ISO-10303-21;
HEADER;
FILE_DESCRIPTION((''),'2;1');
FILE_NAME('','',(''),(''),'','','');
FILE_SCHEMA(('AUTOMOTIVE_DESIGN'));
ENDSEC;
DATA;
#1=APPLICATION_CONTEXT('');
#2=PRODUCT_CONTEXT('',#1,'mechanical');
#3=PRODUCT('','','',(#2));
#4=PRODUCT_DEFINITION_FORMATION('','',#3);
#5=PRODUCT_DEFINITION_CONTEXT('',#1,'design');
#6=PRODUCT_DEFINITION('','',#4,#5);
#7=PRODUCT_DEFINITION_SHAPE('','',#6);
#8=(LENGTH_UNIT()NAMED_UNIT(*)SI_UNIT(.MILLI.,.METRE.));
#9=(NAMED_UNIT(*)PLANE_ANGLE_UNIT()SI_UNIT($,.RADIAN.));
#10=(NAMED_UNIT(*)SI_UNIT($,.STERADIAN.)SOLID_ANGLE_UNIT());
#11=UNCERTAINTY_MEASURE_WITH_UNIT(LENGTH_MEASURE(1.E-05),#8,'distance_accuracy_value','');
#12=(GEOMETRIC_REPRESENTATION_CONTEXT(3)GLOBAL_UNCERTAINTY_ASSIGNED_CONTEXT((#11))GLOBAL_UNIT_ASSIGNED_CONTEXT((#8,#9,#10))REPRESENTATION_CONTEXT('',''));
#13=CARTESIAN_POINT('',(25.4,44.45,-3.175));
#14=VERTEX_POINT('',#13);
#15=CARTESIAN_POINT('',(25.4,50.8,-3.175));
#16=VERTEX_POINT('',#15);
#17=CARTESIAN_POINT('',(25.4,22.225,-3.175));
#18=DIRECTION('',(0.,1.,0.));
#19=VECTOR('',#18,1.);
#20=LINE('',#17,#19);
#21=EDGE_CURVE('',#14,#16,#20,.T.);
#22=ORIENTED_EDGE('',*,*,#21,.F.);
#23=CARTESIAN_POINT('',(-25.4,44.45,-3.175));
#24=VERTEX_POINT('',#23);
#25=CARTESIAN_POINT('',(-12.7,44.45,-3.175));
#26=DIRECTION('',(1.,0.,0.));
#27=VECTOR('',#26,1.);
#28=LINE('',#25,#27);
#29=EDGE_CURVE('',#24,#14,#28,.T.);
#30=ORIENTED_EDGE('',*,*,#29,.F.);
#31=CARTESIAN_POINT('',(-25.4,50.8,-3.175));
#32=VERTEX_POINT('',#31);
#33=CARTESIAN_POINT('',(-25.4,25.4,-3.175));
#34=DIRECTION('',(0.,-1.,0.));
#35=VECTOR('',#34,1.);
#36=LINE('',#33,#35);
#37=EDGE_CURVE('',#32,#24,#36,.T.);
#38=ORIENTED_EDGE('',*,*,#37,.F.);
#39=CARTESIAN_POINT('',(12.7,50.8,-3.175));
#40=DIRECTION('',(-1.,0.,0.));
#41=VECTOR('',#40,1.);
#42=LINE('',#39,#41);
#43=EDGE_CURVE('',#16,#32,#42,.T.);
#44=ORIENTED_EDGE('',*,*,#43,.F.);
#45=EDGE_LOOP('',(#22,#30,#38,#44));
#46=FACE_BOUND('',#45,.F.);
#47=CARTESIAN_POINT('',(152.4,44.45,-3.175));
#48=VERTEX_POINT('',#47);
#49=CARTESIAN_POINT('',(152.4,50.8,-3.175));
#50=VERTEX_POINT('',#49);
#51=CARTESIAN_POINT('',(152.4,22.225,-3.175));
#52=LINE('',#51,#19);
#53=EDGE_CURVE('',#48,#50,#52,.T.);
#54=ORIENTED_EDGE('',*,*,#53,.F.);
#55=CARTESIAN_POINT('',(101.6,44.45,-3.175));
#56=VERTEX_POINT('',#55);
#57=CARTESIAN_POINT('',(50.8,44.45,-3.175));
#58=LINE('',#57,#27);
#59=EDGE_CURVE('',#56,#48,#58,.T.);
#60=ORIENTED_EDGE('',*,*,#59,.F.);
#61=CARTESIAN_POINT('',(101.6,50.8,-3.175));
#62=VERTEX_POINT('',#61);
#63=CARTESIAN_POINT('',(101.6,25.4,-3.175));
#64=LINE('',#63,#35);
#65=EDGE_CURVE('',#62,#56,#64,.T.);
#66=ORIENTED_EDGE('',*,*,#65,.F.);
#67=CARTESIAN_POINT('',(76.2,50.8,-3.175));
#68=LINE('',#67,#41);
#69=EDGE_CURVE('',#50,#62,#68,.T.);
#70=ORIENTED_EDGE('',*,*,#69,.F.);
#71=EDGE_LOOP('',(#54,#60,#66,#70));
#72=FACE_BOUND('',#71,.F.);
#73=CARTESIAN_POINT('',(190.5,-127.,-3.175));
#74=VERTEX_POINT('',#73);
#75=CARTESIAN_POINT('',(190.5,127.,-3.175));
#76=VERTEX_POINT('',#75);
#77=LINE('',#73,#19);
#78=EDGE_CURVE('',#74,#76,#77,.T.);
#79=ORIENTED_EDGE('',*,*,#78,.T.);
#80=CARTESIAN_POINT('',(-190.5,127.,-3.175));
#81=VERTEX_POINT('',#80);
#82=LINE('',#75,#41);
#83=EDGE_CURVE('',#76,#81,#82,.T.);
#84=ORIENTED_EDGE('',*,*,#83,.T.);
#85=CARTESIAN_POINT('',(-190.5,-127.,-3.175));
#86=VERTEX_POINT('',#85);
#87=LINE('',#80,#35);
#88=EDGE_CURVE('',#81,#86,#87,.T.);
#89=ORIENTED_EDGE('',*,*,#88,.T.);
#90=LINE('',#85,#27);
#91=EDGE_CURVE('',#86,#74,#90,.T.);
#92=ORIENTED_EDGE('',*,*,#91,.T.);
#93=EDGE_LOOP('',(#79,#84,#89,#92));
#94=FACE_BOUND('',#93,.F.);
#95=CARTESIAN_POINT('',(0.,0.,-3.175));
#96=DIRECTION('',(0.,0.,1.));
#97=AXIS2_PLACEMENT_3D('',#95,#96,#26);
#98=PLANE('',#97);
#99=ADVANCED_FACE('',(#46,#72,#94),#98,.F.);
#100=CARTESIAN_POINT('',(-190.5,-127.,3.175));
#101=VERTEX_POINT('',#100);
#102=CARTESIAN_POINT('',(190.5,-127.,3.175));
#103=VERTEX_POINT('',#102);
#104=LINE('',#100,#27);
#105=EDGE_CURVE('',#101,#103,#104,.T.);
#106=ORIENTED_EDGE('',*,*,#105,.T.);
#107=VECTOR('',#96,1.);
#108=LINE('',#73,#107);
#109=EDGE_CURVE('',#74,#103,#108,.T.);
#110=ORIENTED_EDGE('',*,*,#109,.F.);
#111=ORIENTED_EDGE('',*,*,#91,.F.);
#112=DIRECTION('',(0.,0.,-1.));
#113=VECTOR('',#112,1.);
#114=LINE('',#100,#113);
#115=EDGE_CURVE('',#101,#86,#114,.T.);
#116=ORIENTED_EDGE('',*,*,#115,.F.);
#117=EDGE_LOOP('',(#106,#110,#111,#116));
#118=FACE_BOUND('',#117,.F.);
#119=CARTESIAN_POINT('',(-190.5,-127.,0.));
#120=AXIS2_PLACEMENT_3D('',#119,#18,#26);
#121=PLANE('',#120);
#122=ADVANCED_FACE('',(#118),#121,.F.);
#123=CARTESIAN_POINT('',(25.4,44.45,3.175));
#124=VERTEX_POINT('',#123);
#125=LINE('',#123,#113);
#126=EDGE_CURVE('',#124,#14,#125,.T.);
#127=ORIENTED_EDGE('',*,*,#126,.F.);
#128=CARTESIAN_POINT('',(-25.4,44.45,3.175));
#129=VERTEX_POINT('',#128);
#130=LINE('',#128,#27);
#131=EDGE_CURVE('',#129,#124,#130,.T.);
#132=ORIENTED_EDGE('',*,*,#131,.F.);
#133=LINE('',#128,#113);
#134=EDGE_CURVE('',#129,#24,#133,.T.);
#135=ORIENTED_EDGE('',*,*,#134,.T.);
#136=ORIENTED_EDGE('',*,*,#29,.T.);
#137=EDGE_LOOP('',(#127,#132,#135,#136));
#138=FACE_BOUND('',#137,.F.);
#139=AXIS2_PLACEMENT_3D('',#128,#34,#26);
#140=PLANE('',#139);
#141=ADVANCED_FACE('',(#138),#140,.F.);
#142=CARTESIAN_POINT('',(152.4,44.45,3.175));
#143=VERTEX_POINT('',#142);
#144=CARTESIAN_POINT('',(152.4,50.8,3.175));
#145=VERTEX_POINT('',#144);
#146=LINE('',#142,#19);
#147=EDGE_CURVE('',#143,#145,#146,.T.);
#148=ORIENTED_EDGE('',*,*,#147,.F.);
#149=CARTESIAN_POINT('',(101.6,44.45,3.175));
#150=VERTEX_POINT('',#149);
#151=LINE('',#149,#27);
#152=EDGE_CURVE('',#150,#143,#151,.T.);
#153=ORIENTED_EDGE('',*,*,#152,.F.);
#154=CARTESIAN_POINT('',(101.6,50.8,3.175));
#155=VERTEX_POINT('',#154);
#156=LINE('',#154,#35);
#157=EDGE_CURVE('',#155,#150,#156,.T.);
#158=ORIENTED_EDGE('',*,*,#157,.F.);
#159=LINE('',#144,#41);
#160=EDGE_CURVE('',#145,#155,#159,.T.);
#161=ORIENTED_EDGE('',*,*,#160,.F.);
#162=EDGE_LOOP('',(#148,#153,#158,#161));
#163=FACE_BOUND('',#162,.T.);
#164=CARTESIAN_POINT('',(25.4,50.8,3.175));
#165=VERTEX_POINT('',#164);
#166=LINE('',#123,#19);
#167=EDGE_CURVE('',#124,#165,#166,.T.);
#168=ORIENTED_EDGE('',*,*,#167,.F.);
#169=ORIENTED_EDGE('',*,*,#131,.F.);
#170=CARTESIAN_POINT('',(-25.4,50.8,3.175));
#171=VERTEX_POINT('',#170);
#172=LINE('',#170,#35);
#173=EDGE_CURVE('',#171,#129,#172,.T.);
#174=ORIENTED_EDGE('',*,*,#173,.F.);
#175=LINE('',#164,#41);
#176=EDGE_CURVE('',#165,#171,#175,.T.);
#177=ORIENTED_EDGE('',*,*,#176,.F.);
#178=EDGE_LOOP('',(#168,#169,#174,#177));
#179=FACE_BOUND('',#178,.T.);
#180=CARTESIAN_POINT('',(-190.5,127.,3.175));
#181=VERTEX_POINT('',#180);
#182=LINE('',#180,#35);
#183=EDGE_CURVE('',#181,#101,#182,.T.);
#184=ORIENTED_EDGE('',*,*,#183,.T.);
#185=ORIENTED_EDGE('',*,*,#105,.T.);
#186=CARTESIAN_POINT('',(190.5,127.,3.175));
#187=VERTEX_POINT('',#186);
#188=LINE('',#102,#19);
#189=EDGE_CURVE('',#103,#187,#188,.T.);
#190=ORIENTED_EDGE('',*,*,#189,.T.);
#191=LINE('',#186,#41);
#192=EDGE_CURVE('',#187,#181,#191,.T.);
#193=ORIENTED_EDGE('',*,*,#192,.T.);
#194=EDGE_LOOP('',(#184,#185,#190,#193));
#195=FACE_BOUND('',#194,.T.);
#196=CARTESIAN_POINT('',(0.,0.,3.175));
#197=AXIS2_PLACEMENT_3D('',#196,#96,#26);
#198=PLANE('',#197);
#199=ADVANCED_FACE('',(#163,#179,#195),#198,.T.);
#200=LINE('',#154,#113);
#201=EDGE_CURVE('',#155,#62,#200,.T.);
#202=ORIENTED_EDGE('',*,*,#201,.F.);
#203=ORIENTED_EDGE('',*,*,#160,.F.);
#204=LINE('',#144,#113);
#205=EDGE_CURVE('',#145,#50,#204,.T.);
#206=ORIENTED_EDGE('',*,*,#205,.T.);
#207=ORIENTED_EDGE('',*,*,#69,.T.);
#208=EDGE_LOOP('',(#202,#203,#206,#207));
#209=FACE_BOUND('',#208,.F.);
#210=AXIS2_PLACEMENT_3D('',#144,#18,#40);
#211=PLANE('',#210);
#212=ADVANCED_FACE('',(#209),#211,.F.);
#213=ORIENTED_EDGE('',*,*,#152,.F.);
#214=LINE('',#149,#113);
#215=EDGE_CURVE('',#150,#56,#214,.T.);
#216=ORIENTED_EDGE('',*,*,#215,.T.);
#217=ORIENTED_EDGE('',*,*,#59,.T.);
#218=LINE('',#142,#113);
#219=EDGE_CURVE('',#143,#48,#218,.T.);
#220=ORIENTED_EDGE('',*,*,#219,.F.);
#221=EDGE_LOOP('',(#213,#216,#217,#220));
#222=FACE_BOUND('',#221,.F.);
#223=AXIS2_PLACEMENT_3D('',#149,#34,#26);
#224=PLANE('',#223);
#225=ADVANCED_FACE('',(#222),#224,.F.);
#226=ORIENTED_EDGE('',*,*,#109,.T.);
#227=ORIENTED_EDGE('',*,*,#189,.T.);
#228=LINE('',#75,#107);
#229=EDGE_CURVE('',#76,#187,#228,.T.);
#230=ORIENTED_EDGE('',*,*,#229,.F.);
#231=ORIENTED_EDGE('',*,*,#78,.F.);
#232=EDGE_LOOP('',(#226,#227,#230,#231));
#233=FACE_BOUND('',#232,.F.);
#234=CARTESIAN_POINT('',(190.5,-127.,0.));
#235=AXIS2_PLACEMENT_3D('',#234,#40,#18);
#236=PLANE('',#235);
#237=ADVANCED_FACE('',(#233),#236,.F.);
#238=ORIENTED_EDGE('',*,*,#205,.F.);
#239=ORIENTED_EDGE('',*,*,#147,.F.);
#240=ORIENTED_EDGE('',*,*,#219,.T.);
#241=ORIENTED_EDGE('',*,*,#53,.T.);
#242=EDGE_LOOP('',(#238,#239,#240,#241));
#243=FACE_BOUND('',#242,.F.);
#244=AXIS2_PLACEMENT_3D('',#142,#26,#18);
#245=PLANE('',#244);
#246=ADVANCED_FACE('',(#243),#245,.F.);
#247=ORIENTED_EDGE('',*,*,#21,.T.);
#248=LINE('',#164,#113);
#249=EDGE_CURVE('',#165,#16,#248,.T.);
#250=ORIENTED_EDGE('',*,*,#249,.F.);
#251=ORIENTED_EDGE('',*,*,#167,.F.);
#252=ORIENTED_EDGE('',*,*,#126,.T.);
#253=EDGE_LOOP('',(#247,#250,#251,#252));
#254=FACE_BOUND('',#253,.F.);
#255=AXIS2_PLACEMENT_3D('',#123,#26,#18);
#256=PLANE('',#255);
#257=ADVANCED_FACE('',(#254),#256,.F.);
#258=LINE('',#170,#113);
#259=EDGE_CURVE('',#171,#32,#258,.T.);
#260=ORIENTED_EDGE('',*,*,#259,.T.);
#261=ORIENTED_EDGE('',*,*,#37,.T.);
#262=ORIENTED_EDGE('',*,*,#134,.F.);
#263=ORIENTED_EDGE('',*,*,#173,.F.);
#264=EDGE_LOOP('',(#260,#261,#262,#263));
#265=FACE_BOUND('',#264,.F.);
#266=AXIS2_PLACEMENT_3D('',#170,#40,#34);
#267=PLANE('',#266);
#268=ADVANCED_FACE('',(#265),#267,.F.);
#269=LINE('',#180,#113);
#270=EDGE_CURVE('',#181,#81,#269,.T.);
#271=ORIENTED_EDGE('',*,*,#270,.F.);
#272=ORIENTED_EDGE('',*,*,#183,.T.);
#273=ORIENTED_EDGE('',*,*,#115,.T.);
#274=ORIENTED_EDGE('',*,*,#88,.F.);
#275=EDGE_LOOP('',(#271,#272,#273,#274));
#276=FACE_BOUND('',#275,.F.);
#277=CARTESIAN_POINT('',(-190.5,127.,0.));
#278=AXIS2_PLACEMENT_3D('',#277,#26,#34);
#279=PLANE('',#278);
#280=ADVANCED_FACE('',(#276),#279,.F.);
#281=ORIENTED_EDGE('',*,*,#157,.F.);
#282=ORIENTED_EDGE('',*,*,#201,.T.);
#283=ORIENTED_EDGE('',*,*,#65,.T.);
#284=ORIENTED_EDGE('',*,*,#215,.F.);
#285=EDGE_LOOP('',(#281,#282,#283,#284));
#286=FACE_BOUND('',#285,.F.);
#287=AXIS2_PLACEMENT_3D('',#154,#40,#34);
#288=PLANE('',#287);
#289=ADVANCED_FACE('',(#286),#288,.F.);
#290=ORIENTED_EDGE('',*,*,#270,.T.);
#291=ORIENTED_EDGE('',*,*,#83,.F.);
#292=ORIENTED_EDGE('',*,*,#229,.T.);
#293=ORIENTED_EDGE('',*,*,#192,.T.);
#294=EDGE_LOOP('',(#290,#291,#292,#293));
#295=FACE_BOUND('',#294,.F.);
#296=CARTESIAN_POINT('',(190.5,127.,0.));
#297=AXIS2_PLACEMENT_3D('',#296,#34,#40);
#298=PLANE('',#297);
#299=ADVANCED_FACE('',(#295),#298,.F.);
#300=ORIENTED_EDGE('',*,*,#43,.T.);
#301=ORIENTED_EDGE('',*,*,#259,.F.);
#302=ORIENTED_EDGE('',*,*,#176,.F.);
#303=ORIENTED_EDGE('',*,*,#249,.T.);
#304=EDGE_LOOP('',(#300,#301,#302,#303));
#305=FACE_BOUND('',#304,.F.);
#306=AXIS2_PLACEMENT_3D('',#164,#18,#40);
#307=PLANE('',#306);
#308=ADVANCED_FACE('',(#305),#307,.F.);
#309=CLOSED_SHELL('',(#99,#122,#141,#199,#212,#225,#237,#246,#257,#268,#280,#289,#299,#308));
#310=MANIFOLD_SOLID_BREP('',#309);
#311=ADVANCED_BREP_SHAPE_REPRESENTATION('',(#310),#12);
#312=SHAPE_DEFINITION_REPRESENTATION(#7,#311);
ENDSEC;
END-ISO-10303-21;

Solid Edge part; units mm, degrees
sketch "Sketch1" plane through (0, 0, 0) normal (0, 0, 1) x (1, 0, 0)
  line L0 (-190.5, -127) -> (190.5, -127)
  line L1 (190.5, -127) -> (190.5, 127)
  line L2 (190.5, 127) -> (-190.5, 127)
  line L3 (-190.5, 127) -> (-190.5, -127)
  dimension "D1" = 381
  dimension "D2" = 254
extrude "ExtrudedProtrusion_1" add sketch "Sketch1" along normal mid plane 6.35
sketch "Sketch2" plane through (0, 0, 3.175) normal (0, 0, 1) x (1, 0, 0)
  line L0 (101.6, 44.45) -> (152.4, 44.45)
  line L1 (152.4, 44.45) -> (152.4, 50.8)
  line L2 (152.4, 50.8) -> (101.6, 50.8)
  line L3 (101.6, 50.8) -> (101.6, 44.45)
  line L4 (-25.4, 44.45) -> (25.4, 44.45)
  line L5 (25.4, 44.45) -> (25.4, 50.8)
  line L6 (25.4, 50.8) -> (-25.4, 50.8)
  line L7 (-25.4, 50.8) -> (-25.4, 44.45)
  dimension "D1" = 6.35
  dimension "D2" = 50.8
  dimension "D3" = 38.1
  dimension "D4" = 76.2
  dimension "D5" = 76.2
extrude "Cutout1" cut sketch "Sketch2" against normal through all
properties material "ABS PLUS"
